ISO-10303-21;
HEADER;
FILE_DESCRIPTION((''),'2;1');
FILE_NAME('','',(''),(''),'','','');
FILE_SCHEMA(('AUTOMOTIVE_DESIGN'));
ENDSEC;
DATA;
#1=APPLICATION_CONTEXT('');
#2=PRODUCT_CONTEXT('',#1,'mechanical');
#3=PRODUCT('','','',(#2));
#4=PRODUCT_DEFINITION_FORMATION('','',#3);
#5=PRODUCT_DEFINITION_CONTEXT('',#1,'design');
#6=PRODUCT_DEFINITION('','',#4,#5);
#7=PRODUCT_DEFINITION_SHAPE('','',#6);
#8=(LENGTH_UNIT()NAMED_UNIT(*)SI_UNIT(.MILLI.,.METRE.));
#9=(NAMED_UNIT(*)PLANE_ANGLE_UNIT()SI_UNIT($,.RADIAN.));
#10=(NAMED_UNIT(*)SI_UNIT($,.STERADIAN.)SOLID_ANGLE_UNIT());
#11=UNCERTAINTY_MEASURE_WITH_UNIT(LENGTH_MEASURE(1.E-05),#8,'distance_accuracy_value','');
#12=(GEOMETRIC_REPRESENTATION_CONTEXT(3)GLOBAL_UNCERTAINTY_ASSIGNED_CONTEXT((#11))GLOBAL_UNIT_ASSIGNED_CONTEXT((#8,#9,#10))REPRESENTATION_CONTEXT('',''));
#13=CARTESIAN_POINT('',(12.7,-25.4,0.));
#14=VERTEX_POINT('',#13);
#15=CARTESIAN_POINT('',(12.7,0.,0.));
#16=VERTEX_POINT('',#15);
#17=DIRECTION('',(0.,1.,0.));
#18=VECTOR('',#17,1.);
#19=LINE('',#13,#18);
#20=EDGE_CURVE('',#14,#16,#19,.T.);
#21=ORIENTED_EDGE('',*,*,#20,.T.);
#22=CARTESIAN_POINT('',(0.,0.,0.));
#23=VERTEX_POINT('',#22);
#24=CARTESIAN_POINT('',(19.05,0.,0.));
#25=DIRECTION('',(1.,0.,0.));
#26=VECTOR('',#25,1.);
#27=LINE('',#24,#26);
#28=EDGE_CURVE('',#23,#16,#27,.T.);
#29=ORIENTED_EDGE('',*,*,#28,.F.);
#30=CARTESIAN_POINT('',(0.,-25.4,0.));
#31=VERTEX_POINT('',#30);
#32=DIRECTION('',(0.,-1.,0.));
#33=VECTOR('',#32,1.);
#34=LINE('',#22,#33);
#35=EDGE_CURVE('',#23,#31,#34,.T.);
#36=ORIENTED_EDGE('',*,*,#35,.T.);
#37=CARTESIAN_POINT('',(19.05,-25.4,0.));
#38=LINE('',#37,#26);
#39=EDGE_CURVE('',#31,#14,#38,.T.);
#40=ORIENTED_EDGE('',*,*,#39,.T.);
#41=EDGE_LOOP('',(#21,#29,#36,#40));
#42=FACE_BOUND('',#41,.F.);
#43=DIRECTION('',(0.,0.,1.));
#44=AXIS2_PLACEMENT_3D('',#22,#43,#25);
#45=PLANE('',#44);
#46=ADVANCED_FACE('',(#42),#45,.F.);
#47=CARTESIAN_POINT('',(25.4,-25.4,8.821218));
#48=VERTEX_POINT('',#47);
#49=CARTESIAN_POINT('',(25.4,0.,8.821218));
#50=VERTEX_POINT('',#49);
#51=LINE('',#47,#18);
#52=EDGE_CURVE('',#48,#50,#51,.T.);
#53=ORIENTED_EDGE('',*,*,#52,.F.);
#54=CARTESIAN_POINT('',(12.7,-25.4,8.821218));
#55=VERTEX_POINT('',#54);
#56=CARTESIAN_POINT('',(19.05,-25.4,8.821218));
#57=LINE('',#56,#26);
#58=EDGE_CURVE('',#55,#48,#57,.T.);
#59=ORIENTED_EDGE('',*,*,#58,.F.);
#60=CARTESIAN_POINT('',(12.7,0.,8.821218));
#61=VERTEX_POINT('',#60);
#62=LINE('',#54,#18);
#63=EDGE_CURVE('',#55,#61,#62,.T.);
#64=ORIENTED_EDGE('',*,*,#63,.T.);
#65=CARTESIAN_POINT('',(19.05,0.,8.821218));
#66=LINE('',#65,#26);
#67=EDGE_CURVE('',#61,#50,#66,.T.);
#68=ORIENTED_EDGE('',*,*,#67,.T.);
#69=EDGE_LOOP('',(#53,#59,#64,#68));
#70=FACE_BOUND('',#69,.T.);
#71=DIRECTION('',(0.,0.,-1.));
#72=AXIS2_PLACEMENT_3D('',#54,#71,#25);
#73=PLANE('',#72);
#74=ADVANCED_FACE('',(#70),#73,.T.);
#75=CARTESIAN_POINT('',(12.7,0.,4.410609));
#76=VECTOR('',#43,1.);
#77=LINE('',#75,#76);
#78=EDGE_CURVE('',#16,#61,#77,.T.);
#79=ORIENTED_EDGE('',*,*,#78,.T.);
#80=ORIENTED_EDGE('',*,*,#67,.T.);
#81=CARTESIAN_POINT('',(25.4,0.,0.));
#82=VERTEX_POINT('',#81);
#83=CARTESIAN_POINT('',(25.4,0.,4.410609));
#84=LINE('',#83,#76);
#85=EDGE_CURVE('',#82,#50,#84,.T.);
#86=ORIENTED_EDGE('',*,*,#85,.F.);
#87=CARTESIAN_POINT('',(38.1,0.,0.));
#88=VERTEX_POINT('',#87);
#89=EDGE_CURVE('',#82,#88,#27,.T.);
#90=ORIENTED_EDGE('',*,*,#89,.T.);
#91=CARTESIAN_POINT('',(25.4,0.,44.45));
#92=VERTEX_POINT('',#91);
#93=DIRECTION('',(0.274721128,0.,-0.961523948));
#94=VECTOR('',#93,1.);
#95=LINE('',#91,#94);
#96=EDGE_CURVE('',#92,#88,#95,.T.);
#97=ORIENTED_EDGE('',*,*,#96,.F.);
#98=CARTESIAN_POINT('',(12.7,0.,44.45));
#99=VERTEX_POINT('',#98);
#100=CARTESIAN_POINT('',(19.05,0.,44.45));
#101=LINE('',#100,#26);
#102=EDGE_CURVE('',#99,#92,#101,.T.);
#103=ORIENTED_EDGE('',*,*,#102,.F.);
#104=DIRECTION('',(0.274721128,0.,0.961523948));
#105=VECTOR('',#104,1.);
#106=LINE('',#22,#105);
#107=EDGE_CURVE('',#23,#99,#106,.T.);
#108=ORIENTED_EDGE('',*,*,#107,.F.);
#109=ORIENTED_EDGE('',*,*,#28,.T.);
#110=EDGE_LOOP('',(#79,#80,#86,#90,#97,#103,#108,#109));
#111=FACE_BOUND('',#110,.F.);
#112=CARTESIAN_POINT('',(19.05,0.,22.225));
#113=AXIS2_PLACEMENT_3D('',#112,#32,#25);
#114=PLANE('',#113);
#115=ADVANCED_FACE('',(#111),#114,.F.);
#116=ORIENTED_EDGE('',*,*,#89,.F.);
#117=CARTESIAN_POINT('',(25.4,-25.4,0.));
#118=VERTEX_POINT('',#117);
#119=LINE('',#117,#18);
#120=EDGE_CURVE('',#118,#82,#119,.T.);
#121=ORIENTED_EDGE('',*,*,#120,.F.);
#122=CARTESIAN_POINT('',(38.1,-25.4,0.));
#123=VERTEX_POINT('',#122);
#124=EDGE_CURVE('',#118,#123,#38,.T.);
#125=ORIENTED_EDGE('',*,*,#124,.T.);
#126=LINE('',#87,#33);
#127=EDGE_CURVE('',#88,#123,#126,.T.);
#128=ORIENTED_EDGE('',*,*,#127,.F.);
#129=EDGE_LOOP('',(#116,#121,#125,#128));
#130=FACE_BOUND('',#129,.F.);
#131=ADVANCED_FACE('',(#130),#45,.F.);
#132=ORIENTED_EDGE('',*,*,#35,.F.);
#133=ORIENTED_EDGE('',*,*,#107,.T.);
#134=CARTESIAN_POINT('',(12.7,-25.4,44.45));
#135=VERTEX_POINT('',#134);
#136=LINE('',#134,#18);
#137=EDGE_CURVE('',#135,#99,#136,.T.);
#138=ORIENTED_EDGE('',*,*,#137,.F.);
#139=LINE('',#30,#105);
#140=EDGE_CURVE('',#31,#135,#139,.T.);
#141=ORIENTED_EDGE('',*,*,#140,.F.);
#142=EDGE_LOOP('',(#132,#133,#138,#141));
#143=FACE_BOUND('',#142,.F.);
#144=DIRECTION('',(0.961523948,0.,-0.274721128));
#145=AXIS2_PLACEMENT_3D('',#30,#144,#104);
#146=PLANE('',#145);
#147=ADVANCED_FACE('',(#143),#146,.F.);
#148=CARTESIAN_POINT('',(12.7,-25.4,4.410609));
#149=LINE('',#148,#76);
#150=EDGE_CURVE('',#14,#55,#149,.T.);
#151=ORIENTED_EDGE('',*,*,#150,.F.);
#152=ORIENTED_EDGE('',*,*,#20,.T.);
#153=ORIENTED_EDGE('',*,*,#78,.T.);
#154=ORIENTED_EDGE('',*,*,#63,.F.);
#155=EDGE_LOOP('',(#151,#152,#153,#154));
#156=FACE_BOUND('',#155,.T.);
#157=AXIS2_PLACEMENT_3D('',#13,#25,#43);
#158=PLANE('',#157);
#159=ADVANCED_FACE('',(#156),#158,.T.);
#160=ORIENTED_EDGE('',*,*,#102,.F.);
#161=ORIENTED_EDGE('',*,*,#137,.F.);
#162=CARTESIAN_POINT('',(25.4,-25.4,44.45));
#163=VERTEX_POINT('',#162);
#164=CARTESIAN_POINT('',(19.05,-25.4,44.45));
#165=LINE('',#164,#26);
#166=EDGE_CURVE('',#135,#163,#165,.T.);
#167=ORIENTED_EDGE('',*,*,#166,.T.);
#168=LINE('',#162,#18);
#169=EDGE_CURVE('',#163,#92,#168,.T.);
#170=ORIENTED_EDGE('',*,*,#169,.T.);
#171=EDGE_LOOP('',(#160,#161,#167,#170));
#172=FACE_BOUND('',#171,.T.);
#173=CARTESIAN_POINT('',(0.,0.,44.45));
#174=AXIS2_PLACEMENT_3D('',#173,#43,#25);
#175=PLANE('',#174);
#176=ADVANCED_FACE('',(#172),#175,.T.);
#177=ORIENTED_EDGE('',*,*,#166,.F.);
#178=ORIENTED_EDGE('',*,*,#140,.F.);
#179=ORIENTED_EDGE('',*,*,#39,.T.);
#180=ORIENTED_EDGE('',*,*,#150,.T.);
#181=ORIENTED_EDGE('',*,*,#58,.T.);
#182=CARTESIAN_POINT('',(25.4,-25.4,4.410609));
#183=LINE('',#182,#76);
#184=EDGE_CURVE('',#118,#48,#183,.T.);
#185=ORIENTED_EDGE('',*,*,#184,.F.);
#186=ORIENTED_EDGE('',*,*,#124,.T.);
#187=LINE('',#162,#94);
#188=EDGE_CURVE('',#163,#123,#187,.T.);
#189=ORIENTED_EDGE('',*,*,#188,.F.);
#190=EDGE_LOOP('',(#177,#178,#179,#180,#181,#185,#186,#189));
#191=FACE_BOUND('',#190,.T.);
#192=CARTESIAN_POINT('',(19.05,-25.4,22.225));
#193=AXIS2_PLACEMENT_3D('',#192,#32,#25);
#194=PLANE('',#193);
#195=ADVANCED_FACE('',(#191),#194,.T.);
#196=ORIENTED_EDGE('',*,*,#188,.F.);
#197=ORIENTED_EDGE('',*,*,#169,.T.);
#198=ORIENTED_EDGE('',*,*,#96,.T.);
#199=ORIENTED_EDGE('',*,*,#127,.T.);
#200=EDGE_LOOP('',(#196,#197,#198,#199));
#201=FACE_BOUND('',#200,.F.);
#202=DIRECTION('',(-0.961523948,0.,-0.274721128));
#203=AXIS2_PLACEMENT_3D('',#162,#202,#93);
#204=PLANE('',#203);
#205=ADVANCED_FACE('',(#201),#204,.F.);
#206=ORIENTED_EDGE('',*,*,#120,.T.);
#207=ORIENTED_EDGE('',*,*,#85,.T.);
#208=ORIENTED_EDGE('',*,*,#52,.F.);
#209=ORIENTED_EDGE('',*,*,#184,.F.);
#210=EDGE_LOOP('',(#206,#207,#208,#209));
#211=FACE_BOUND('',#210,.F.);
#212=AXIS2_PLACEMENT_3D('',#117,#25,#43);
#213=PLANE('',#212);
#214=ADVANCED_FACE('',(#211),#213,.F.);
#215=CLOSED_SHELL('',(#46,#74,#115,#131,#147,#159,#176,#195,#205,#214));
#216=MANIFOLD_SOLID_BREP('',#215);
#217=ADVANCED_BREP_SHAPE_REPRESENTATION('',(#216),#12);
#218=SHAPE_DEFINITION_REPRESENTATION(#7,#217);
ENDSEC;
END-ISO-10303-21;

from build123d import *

# Parameters (mm, degrees)
F0_W     = 38.1
F0_H     = 44.45
F1_DEPTH = 25.4
F2_W     = 12.7
F2_H     = 8.821218
F3_DEPTH = 25.4


with BuildPart() as f1:
    # F0 (on Front) → F1 (new body)
    with BuildSketch(Plane.XZ):
        with Locations((19.05, 22.225)):
            Rectangle(F0_W, F0_H)
    extrude(amount=F1_DEPTH)

    # F2 (on face) → F3 (cut)
    with BuildSketch(Plane.XZ.offset(25.4)):
        with Locations((19.05, 4.410609)):
            Rectangle(F2_W, F2_H)
        Polygon((0, 44.45), (0, 0), (12.7, 44.45), align=None)
        Polygon((38.1, 44.45), (25.4, 44.45), (38.1, 0), align=None)
    extrude(amount=-F3_DEPTH, mode=Mode.SUBTRACT)


solid = f1.part
